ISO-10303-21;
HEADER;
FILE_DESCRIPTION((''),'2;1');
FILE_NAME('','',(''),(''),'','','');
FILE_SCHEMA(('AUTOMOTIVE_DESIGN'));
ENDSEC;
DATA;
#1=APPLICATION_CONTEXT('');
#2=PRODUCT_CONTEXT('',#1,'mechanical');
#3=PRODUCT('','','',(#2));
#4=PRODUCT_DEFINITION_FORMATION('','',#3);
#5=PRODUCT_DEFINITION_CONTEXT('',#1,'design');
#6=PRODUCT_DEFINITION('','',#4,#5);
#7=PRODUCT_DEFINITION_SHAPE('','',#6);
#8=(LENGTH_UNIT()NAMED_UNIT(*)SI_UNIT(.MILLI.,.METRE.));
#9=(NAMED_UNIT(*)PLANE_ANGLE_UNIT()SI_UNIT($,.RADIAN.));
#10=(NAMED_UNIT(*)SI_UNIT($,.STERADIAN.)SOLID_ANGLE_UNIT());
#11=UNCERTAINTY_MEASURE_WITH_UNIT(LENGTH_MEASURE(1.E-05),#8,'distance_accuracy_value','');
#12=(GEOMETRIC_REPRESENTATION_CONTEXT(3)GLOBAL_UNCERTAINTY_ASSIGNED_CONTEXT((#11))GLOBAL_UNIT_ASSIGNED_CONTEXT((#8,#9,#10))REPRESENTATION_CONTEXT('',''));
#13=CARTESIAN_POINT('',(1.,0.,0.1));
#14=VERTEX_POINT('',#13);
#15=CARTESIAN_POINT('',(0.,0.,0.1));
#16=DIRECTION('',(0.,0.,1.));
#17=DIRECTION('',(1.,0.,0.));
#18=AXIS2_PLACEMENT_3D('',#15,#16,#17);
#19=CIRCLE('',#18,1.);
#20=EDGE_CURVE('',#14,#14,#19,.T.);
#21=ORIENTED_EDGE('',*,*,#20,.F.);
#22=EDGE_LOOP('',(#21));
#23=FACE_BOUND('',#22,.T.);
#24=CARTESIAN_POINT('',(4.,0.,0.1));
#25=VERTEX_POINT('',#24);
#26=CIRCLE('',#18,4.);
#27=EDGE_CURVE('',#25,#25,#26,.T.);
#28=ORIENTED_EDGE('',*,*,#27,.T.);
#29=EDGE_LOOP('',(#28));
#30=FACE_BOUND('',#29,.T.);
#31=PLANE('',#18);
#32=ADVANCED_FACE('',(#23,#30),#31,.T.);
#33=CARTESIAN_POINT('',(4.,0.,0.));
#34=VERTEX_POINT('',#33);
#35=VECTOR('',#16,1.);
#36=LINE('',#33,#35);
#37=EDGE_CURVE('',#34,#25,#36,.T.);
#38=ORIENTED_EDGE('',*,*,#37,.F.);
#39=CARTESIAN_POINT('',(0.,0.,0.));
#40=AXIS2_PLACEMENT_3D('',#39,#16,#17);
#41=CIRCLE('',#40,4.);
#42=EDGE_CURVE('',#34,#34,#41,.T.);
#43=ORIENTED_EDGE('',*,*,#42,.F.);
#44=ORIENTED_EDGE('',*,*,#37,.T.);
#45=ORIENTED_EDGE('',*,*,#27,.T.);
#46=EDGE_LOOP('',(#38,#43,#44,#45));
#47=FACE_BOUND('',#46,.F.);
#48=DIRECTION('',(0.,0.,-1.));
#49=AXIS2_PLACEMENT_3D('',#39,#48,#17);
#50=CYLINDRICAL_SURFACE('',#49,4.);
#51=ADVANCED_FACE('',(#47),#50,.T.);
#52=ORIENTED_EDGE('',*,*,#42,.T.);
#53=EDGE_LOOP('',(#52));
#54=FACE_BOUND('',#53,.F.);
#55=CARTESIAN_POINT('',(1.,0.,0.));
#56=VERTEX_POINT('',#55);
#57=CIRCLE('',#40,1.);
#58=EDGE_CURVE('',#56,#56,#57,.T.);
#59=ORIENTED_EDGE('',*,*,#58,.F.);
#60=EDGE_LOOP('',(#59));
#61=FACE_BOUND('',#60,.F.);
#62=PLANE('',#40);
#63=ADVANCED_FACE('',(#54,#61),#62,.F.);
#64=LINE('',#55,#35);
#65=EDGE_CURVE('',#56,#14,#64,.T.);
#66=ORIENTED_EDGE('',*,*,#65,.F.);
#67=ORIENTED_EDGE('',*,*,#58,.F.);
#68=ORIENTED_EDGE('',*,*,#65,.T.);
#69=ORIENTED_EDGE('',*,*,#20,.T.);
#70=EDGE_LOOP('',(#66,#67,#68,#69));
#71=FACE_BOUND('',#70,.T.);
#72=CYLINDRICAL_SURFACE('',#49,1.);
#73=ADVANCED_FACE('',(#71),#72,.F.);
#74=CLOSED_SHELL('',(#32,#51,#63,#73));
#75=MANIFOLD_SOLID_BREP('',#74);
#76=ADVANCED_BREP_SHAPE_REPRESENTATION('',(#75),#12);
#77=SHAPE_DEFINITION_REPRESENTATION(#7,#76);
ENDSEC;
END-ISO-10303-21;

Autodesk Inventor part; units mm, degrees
ref_plane "YZ Plane" through (0, 0, 0) normal (1, 0, 0) x (0, 1, 0)
ref_plane "XZ Plane" through (0, 0, 0) normal (0, 1, 0) x (-1, 0, 0)
ref_plane "XY Plane" through (0, 0, 0) normal (0, 0, 1) x (1, 0, 0)
sketch "Sketch1" plane through (0, 0, 0) normal (0, 0, 1) x (1, 0, 0)
  circle A0 centre (0, 0) radius 4
  circle A1 centre (0, 0) radius 1
  dimension "d0" = 8
  dimension "d1" = 2
extrude "Extrusion1" add sketch "Sketch1" along normal blind 0.1
properties part number "heat cut flim" material "Polycarbonate, Smoke"
